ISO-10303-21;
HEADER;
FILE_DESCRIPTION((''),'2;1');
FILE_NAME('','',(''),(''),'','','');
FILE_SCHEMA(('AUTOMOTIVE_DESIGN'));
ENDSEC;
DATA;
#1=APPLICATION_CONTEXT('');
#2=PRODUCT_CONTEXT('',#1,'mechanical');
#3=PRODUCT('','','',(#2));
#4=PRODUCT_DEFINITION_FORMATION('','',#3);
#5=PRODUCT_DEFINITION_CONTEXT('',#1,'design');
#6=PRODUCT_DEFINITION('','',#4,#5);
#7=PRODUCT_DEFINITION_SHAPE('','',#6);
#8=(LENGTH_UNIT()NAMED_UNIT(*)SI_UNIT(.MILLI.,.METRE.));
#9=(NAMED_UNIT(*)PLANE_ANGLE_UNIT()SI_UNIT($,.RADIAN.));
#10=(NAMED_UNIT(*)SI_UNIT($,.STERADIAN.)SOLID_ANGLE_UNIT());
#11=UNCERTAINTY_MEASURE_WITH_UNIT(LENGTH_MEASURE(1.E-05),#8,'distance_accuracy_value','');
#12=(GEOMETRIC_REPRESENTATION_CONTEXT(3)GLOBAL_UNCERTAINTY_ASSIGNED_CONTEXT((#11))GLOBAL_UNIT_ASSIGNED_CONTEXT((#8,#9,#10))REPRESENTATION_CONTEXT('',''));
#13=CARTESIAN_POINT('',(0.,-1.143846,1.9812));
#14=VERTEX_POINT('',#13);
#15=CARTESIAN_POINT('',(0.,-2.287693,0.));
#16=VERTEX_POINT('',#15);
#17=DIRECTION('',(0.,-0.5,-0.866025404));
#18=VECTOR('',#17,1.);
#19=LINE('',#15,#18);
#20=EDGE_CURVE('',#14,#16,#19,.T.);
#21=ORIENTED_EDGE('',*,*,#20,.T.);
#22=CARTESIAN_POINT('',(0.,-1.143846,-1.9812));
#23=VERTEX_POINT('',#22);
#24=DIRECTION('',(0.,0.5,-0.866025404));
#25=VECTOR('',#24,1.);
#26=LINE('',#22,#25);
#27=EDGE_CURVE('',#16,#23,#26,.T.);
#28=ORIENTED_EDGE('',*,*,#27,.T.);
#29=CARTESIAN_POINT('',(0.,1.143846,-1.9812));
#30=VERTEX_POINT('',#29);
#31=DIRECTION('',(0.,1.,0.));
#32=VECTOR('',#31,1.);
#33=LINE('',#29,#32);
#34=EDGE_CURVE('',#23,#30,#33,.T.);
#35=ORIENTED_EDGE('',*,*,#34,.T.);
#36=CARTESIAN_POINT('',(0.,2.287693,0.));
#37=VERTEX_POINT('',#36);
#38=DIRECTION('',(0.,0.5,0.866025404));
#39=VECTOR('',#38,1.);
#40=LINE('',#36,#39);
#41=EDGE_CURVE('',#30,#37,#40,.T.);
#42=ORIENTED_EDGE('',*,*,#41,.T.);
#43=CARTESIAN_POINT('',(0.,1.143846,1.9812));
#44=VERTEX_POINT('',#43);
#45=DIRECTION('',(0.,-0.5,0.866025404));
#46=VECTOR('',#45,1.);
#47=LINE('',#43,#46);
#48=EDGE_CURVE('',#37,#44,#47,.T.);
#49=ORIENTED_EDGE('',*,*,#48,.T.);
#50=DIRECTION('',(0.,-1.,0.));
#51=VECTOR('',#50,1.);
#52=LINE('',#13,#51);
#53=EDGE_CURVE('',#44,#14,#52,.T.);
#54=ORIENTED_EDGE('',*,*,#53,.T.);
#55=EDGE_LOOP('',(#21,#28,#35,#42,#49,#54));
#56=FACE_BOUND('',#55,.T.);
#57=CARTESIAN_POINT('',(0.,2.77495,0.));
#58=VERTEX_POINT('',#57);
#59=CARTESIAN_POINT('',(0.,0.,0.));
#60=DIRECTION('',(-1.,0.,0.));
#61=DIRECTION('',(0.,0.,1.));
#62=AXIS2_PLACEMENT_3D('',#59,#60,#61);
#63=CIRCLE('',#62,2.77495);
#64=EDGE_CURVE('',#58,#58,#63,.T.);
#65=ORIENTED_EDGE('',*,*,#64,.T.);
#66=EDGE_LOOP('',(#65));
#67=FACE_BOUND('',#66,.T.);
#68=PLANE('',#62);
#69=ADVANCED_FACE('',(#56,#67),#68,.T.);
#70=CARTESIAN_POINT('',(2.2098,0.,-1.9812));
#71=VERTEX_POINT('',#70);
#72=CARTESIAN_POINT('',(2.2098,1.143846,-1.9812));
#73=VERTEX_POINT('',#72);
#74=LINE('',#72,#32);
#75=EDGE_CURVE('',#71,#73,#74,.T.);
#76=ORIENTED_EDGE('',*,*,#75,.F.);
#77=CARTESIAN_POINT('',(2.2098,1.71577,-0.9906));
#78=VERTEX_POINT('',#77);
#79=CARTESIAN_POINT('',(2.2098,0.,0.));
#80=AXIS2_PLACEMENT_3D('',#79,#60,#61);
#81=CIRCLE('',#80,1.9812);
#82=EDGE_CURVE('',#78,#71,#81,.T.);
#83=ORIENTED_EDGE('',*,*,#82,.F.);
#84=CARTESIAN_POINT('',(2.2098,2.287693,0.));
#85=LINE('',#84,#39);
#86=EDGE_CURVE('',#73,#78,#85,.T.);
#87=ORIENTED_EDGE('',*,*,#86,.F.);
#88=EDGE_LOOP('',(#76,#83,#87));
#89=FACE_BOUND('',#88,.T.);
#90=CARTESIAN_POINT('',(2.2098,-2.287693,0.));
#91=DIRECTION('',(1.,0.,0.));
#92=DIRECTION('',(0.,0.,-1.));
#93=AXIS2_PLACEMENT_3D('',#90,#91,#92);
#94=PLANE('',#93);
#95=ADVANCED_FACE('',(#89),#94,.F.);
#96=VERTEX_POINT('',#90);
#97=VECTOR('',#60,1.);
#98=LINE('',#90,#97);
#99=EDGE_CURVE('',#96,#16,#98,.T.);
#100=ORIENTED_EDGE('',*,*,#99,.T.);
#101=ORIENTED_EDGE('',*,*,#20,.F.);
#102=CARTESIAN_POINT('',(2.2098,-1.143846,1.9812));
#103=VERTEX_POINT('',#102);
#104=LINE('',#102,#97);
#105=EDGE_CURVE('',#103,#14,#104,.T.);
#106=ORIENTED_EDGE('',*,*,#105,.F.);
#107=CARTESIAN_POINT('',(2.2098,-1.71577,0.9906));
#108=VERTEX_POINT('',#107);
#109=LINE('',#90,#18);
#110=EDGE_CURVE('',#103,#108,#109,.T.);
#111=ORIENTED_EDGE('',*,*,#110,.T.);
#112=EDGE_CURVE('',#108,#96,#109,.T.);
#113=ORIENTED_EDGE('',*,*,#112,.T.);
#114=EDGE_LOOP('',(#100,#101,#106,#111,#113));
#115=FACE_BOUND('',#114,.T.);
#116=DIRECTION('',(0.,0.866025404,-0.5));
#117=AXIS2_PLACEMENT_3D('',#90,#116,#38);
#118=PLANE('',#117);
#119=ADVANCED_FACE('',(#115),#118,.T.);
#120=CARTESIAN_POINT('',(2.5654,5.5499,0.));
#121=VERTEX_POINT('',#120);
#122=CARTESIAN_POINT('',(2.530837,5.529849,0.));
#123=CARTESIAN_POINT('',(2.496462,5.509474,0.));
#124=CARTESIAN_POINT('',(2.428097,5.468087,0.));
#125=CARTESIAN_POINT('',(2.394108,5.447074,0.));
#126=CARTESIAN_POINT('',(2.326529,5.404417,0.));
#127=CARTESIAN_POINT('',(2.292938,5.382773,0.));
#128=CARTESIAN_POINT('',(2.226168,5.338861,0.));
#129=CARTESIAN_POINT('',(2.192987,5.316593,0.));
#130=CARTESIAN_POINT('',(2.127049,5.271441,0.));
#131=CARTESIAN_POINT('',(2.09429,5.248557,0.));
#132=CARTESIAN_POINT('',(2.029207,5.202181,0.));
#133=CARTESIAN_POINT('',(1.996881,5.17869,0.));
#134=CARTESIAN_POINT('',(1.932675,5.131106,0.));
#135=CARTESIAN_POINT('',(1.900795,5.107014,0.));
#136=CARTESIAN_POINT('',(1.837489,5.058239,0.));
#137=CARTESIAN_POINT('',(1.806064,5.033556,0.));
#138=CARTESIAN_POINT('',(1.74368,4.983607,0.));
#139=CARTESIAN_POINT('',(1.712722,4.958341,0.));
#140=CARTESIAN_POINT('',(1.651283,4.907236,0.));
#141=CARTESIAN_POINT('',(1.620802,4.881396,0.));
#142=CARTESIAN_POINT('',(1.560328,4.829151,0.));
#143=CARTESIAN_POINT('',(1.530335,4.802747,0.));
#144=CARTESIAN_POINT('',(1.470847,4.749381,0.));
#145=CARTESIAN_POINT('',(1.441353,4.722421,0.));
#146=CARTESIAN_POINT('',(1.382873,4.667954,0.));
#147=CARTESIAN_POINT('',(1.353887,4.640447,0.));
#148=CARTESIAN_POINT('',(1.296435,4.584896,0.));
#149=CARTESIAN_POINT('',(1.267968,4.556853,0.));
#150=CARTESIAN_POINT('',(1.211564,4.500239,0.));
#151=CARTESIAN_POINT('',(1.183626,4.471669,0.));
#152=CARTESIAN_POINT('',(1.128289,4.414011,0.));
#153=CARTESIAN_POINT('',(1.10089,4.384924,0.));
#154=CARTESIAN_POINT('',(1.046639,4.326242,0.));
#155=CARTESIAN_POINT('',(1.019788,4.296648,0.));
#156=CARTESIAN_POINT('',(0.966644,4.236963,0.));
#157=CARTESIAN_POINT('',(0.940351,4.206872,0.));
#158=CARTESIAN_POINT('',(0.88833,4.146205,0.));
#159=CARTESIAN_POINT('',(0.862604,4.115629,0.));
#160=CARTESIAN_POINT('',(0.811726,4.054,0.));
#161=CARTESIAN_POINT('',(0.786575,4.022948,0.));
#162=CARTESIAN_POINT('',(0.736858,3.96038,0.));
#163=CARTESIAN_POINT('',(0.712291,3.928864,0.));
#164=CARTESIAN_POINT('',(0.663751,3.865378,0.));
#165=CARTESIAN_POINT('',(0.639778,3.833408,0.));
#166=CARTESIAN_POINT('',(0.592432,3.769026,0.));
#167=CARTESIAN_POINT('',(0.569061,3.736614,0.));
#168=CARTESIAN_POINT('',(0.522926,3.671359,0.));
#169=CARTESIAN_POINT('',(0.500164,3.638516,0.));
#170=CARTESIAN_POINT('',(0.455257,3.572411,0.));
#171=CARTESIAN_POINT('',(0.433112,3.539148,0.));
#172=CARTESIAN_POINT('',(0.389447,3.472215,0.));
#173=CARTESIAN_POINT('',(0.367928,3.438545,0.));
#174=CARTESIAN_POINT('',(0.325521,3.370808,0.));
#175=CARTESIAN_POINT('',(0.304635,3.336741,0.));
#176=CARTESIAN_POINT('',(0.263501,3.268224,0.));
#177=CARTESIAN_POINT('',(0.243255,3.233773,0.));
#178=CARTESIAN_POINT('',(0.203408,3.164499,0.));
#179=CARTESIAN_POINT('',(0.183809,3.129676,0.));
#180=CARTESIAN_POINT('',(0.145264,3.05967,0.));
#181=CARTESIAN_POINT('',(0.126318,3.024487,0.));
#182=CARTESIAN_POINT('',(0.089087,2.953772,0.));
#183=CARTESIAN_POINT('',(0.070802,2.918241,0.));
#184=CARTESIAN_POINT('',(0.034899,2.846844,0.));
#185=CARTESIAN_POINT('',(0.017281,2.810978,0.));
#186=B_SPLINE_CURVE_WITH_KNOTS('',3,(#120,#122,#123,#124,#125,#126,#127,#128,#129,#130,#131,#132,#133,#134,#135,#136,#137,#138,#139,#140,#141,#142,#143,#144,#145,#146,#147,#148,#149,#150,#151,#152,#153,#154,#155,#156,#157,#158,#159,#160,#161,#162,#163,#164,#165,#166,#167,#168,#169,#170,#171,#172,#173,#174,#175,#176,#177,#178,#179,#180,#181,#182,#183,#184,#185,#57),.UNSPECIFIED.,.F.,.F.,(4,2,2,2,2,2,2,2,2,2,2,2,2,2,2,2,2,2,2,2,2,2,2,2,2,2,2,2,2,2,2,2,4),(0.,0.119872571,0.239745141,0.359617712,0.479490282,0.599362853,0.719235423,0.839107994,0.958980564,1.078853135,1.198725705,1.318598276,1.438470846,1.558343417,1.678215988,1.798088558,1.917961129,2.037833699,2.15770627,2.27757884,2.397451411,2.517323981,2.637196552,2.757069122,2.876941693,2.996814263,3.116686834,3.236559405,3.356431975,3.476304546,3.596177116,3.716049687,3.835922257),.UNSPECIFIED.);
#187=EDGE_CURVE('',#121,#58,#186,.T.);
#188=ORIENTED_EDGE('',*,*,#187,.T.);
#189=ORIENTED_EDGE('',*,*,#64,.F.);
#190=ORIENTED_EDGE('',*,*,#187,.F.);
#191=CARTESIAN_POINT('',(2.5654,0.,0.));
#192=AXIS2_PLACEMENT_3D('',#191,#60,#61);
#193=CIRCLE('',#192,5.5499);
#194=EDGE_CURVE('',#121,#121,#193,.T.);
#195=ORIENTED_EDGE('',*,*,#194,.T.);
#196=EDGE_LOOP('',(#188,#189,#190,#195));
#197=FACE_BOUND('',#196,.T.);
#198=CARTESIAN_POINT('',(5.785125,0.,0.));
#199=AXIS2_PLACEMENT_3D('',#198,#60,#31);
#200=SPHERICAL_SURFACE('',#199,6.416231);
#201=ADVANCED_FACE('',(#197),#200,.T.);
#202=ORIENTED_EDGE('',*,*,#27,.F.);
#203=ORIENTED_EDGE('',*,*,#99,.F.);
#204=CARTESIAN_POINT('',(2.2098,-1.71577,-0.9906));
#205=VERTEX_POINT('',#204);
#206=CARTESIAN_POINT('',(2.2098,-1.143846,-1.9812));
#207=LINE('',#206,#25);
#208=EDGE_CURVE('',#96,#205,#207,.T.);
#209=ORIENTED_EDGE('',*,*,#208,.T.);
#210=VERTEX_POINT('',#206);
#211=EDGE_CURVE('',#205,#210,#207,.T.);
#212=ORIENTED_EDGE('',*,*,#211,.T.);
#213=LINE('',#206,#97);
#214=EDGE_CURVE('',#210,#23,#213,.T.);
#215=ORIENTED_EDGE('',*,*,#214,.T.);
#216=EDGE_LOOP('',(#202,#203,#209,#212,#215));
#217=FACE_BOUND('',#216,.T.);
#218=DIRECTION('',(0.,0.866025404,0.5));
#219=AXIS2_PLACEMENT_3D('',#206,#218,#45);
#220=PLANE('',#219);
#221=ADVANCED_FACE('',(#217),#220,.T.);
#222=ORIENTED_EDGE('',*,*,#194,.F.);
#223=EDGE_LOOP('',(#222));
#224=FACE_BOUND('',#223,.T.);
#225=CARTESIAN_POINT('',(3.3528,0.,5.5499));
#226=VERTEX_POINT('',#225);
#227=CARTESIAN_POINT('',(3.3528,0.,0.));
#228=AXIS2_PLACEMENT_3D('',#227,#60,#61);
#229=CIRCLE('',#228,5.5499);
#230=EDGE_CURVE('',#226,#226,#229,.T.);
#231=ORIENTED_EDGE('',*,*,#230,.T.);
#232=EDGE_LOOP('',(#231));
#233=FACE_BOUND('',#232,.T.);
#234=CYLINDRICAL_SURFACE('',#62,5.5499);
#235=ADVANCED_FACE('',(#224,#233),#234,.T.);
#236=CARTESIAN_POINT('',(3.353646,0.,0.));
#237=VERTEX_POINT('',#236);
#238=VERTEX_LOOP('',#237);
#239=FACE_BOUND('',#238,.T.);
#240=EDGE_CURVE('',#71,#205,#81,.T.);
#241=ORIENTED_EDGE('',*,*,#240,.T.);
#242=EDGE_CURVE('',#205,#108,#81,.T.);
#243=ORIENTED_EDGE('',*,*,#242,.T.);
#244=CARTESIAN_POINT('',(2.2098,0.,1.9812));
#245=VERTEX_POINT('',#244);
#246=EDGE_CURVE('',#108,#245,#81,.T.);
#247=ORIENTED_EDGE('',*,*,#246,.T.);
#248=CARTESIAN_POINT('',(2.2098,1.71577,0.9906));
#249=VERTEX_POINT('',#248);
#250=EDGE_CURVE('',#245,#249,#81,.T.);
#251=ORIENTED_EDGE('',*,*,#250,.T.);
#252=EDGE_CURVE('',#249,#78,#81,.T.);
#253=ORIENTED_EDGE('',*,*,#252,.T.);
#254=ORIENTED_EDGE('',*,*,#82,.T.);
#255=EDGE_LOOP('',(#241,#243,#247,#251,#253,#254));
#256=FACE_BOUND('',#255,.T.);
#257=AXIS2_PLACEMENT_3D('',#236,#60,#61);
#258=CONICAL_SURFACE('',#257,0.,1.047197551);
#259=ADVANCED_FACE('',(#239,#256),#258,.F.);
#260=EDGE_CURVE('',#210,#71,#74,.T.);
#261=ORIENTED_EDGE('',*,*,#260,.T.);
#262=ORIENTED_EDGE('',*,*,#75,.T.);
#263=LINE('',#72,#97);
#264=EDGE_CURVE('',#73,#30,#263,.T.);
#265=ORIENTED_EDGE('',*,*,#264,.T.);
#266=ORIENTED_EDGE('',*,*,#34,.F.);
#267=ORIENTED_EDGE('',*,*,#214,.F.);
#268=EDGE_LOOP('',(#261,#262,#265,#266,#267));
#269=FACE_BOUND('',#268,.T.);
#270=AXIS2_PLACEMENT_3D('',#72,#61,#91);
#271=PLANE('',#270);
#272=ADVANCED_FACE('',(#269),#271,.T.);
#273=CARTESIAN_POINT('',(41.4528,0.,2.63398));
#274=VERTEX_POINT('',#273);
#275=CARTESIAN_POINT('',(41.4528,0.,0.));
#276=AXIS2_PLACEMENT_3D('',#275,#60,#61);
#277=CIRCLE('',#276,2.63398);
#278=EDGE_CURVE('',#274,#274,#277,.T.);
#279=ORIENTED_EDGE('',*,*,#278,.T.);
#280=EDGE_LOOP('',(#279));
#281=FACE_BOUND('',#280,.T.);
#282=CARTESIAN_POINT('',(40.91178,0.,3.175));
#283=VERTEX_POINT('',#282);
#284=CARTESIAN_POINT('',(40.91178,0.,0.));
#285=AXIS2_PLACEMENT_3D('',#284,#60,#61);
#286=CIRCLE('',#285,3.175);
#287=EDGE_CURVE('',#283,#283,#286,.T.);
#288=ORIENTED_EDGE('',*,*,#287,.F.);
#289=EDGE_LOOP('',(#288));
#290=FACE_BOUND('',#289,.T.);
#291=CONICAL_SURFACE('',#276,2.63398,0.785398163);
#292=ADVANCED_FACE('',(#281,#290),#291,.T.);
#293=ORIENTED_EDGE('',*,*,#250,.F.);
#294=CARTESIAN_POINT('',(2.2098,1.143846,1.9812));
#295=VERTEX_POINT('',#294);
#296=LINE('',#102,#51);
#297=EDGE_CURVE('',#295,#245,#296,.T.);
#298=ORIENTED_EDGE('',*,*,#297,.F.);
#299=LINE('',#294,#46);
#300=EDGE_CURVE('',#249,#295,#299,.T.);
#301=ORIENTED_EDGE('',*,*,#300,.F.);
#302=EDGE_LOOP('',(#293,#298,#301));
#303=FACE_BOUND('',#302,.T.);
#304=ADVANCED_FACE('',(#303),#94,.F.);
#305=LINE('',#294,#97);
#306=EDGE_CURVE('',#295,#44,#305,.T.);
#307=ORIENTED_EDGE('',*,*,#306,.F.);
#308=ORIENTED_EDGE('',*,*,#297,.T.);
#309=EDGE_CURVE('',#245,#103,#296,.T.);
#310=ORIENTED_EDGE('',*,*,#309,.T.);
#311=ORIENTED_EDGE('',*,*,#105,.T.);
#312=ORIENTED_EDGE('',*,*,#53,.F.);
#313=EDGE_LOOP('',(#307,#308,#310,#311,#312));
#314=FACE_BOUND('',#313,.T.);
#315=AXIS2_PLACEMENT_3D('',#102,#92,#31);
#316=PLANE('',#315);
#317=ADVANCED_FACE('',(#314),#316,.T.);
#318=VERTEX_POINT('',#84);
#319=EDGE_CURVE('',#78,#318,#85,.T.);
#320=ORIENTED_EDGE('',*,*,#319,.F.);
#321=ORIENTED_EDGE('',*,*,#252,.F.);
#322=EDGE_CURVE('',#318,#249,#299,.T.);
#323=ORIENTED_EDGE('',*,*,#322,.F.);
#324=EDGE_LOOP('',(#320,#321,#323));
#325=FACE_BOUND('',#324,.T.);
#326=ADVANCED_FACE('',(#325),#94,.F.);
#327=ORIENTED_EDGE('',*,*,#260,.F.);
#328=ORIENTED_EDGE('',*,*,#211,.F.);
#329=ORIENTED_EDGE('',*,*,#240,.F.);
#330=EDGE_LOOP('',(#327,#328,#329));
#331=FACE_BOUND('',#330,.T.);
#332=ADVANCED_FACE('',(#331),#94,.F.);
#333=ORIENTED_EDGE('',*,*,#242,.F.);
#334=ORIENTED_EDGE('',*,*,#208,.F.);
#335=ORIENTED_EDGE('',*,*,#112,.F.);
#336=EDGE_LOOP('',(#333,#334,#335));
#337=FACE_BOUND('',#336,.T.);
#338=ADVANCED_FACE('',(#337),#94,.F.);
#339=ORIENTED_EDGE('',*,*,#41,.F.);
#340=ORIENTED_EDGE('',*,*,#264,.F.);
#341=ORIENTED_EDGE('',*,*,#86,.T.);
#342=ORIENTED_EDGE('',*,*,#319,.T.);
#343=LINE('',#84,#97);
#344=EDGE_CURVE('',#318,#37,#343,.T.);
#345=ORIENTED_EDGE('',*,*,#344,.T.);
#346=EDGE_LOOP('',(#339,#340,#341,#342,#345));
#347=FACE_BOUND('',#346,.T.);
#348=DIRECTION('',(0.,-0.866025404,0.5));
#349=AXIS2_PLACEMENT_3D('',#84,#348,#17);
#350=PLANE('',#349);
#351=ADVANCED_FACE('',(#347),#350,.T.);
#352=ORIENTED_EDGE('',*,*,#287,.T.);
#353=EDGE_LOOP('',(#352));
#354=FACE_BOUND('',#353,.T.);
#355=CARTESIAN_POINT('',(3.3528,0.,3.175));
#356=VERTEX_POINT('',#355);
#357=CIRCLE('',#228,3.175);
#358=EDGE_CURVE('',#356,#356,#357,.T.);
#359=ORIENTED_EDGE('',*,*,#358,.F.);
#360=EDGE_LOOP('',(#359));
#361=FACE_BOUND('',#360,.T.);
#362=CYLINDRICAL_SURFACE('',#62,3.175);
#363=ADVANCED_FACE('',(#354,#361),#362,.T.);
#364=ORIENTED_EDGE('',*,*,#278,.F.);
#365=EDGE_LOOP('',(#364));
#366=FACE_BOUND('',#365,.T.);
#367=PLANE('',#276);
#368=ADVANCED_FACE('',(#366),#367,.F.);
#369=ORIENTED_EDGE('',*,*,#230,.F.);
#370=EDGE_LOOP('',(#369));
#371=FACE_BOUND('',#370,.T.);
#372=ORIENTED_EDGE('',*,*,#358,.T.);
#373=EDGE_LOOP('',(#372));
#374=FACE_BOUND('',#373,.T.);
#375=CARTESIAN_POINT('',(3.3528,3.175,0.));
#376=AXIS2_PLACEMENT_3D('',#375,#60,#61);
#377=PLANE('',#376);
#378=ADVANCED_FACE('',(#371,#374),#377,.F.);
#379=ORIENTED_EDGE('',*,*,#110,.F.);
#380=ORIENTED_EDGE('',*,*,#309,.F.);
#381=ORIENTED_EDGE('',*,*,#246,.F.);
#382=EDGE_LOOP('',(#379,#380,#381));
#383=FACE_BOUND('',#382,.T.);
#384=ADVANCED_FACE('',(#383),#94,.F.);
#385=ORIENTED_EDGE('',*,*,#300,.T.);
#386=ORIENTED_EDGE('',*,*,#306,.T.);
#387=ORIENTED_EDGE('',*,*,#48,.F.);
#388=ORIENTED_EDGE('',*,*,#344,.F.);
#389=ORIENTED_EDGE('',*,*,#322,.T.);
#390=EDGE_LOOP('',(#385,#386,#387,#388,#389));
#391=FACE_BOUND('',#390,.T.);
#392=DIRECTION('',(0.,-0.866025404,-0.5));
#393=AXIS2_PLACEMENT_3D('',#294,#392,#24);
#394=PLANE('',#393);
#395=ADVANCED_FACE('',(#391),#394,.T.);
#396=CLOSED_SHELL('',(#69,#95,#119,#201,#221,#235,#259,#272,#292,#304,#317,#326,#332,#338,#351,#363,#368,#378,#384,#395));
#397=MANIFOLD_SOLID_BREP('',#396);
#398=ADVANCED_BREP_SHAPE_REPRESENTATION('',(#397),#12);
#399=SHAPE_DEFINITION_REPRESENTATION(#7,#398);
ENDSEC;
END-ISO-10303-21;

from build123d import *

# Parameters (mm, degrees)
HEX_2_DEPTH = 2.2098


with BuildPart() as part:
    # BodySke → BaseBody (revolve)
    with BuildSketch(Plane.XY, mode=Mode.PRIVATE) as basebody_sk:
        with BuildLine():
            Line((41.4528, 0), (41.4528, 2.63398))
            Line((41.4528, 2.63398), (40.91178, 3.175))
            Line((40.91178, 3.175), (3.3528, 3.175))
            Line((3.3528, 3.175), (3.3528, 5.5499))
            Line((3.3528, 5.5499), (2.5654, 5.5499))
            ThreePointArc((2.5654, 5.5499), (1.073764503, 4.355582759), (0, 2.77495))
            Line((0, 2.77495), (0, 0))
            Line((0, 0), (41.4528, 0))
        make_face()
    revolve(basebody_sk.sketch.rotate(Axis((0, 0, 0), (1, 0, 0)), 90), axis=Axis((0, 0, 0), (1, 0, 0)))

    # Sketch2 → PreBroach (revolve, cut)
    with BuildSketch(Plane.XY, mode=Mode.PRIVATE) as prebroach_sk:
        Polygon((0, 1.9812), (2.2098, 1.9812), (3.353646353, 0), (0, 0), align=None)
    revolve(prebroach_sk.sketch.rotate(Axis((0, 0, 0), (1, 0, 0)), 90), axis=Axis((0, 0, 0), (1, 0, 0)), mode=Mode.SUBTRACT)

    # Sketch3 → Hex 2 (cut)
    with BuildSketch(Plane(origin=(0, 0, 0), x_dir=(0, 0, -1), z_dir=(1, 0, 0))):
        Polygon((-1.9812, -1.143846353), (-1.9812, 1.143846353), (0, 2.287692707), (1.9812, 1.143846353), (1.9812, -1.143846353), (0, -2.287692707), align=None)
    extrude(amount=HEX_2_DEPTH, mode=Mode.SUBTRACT)


solid = part.part
